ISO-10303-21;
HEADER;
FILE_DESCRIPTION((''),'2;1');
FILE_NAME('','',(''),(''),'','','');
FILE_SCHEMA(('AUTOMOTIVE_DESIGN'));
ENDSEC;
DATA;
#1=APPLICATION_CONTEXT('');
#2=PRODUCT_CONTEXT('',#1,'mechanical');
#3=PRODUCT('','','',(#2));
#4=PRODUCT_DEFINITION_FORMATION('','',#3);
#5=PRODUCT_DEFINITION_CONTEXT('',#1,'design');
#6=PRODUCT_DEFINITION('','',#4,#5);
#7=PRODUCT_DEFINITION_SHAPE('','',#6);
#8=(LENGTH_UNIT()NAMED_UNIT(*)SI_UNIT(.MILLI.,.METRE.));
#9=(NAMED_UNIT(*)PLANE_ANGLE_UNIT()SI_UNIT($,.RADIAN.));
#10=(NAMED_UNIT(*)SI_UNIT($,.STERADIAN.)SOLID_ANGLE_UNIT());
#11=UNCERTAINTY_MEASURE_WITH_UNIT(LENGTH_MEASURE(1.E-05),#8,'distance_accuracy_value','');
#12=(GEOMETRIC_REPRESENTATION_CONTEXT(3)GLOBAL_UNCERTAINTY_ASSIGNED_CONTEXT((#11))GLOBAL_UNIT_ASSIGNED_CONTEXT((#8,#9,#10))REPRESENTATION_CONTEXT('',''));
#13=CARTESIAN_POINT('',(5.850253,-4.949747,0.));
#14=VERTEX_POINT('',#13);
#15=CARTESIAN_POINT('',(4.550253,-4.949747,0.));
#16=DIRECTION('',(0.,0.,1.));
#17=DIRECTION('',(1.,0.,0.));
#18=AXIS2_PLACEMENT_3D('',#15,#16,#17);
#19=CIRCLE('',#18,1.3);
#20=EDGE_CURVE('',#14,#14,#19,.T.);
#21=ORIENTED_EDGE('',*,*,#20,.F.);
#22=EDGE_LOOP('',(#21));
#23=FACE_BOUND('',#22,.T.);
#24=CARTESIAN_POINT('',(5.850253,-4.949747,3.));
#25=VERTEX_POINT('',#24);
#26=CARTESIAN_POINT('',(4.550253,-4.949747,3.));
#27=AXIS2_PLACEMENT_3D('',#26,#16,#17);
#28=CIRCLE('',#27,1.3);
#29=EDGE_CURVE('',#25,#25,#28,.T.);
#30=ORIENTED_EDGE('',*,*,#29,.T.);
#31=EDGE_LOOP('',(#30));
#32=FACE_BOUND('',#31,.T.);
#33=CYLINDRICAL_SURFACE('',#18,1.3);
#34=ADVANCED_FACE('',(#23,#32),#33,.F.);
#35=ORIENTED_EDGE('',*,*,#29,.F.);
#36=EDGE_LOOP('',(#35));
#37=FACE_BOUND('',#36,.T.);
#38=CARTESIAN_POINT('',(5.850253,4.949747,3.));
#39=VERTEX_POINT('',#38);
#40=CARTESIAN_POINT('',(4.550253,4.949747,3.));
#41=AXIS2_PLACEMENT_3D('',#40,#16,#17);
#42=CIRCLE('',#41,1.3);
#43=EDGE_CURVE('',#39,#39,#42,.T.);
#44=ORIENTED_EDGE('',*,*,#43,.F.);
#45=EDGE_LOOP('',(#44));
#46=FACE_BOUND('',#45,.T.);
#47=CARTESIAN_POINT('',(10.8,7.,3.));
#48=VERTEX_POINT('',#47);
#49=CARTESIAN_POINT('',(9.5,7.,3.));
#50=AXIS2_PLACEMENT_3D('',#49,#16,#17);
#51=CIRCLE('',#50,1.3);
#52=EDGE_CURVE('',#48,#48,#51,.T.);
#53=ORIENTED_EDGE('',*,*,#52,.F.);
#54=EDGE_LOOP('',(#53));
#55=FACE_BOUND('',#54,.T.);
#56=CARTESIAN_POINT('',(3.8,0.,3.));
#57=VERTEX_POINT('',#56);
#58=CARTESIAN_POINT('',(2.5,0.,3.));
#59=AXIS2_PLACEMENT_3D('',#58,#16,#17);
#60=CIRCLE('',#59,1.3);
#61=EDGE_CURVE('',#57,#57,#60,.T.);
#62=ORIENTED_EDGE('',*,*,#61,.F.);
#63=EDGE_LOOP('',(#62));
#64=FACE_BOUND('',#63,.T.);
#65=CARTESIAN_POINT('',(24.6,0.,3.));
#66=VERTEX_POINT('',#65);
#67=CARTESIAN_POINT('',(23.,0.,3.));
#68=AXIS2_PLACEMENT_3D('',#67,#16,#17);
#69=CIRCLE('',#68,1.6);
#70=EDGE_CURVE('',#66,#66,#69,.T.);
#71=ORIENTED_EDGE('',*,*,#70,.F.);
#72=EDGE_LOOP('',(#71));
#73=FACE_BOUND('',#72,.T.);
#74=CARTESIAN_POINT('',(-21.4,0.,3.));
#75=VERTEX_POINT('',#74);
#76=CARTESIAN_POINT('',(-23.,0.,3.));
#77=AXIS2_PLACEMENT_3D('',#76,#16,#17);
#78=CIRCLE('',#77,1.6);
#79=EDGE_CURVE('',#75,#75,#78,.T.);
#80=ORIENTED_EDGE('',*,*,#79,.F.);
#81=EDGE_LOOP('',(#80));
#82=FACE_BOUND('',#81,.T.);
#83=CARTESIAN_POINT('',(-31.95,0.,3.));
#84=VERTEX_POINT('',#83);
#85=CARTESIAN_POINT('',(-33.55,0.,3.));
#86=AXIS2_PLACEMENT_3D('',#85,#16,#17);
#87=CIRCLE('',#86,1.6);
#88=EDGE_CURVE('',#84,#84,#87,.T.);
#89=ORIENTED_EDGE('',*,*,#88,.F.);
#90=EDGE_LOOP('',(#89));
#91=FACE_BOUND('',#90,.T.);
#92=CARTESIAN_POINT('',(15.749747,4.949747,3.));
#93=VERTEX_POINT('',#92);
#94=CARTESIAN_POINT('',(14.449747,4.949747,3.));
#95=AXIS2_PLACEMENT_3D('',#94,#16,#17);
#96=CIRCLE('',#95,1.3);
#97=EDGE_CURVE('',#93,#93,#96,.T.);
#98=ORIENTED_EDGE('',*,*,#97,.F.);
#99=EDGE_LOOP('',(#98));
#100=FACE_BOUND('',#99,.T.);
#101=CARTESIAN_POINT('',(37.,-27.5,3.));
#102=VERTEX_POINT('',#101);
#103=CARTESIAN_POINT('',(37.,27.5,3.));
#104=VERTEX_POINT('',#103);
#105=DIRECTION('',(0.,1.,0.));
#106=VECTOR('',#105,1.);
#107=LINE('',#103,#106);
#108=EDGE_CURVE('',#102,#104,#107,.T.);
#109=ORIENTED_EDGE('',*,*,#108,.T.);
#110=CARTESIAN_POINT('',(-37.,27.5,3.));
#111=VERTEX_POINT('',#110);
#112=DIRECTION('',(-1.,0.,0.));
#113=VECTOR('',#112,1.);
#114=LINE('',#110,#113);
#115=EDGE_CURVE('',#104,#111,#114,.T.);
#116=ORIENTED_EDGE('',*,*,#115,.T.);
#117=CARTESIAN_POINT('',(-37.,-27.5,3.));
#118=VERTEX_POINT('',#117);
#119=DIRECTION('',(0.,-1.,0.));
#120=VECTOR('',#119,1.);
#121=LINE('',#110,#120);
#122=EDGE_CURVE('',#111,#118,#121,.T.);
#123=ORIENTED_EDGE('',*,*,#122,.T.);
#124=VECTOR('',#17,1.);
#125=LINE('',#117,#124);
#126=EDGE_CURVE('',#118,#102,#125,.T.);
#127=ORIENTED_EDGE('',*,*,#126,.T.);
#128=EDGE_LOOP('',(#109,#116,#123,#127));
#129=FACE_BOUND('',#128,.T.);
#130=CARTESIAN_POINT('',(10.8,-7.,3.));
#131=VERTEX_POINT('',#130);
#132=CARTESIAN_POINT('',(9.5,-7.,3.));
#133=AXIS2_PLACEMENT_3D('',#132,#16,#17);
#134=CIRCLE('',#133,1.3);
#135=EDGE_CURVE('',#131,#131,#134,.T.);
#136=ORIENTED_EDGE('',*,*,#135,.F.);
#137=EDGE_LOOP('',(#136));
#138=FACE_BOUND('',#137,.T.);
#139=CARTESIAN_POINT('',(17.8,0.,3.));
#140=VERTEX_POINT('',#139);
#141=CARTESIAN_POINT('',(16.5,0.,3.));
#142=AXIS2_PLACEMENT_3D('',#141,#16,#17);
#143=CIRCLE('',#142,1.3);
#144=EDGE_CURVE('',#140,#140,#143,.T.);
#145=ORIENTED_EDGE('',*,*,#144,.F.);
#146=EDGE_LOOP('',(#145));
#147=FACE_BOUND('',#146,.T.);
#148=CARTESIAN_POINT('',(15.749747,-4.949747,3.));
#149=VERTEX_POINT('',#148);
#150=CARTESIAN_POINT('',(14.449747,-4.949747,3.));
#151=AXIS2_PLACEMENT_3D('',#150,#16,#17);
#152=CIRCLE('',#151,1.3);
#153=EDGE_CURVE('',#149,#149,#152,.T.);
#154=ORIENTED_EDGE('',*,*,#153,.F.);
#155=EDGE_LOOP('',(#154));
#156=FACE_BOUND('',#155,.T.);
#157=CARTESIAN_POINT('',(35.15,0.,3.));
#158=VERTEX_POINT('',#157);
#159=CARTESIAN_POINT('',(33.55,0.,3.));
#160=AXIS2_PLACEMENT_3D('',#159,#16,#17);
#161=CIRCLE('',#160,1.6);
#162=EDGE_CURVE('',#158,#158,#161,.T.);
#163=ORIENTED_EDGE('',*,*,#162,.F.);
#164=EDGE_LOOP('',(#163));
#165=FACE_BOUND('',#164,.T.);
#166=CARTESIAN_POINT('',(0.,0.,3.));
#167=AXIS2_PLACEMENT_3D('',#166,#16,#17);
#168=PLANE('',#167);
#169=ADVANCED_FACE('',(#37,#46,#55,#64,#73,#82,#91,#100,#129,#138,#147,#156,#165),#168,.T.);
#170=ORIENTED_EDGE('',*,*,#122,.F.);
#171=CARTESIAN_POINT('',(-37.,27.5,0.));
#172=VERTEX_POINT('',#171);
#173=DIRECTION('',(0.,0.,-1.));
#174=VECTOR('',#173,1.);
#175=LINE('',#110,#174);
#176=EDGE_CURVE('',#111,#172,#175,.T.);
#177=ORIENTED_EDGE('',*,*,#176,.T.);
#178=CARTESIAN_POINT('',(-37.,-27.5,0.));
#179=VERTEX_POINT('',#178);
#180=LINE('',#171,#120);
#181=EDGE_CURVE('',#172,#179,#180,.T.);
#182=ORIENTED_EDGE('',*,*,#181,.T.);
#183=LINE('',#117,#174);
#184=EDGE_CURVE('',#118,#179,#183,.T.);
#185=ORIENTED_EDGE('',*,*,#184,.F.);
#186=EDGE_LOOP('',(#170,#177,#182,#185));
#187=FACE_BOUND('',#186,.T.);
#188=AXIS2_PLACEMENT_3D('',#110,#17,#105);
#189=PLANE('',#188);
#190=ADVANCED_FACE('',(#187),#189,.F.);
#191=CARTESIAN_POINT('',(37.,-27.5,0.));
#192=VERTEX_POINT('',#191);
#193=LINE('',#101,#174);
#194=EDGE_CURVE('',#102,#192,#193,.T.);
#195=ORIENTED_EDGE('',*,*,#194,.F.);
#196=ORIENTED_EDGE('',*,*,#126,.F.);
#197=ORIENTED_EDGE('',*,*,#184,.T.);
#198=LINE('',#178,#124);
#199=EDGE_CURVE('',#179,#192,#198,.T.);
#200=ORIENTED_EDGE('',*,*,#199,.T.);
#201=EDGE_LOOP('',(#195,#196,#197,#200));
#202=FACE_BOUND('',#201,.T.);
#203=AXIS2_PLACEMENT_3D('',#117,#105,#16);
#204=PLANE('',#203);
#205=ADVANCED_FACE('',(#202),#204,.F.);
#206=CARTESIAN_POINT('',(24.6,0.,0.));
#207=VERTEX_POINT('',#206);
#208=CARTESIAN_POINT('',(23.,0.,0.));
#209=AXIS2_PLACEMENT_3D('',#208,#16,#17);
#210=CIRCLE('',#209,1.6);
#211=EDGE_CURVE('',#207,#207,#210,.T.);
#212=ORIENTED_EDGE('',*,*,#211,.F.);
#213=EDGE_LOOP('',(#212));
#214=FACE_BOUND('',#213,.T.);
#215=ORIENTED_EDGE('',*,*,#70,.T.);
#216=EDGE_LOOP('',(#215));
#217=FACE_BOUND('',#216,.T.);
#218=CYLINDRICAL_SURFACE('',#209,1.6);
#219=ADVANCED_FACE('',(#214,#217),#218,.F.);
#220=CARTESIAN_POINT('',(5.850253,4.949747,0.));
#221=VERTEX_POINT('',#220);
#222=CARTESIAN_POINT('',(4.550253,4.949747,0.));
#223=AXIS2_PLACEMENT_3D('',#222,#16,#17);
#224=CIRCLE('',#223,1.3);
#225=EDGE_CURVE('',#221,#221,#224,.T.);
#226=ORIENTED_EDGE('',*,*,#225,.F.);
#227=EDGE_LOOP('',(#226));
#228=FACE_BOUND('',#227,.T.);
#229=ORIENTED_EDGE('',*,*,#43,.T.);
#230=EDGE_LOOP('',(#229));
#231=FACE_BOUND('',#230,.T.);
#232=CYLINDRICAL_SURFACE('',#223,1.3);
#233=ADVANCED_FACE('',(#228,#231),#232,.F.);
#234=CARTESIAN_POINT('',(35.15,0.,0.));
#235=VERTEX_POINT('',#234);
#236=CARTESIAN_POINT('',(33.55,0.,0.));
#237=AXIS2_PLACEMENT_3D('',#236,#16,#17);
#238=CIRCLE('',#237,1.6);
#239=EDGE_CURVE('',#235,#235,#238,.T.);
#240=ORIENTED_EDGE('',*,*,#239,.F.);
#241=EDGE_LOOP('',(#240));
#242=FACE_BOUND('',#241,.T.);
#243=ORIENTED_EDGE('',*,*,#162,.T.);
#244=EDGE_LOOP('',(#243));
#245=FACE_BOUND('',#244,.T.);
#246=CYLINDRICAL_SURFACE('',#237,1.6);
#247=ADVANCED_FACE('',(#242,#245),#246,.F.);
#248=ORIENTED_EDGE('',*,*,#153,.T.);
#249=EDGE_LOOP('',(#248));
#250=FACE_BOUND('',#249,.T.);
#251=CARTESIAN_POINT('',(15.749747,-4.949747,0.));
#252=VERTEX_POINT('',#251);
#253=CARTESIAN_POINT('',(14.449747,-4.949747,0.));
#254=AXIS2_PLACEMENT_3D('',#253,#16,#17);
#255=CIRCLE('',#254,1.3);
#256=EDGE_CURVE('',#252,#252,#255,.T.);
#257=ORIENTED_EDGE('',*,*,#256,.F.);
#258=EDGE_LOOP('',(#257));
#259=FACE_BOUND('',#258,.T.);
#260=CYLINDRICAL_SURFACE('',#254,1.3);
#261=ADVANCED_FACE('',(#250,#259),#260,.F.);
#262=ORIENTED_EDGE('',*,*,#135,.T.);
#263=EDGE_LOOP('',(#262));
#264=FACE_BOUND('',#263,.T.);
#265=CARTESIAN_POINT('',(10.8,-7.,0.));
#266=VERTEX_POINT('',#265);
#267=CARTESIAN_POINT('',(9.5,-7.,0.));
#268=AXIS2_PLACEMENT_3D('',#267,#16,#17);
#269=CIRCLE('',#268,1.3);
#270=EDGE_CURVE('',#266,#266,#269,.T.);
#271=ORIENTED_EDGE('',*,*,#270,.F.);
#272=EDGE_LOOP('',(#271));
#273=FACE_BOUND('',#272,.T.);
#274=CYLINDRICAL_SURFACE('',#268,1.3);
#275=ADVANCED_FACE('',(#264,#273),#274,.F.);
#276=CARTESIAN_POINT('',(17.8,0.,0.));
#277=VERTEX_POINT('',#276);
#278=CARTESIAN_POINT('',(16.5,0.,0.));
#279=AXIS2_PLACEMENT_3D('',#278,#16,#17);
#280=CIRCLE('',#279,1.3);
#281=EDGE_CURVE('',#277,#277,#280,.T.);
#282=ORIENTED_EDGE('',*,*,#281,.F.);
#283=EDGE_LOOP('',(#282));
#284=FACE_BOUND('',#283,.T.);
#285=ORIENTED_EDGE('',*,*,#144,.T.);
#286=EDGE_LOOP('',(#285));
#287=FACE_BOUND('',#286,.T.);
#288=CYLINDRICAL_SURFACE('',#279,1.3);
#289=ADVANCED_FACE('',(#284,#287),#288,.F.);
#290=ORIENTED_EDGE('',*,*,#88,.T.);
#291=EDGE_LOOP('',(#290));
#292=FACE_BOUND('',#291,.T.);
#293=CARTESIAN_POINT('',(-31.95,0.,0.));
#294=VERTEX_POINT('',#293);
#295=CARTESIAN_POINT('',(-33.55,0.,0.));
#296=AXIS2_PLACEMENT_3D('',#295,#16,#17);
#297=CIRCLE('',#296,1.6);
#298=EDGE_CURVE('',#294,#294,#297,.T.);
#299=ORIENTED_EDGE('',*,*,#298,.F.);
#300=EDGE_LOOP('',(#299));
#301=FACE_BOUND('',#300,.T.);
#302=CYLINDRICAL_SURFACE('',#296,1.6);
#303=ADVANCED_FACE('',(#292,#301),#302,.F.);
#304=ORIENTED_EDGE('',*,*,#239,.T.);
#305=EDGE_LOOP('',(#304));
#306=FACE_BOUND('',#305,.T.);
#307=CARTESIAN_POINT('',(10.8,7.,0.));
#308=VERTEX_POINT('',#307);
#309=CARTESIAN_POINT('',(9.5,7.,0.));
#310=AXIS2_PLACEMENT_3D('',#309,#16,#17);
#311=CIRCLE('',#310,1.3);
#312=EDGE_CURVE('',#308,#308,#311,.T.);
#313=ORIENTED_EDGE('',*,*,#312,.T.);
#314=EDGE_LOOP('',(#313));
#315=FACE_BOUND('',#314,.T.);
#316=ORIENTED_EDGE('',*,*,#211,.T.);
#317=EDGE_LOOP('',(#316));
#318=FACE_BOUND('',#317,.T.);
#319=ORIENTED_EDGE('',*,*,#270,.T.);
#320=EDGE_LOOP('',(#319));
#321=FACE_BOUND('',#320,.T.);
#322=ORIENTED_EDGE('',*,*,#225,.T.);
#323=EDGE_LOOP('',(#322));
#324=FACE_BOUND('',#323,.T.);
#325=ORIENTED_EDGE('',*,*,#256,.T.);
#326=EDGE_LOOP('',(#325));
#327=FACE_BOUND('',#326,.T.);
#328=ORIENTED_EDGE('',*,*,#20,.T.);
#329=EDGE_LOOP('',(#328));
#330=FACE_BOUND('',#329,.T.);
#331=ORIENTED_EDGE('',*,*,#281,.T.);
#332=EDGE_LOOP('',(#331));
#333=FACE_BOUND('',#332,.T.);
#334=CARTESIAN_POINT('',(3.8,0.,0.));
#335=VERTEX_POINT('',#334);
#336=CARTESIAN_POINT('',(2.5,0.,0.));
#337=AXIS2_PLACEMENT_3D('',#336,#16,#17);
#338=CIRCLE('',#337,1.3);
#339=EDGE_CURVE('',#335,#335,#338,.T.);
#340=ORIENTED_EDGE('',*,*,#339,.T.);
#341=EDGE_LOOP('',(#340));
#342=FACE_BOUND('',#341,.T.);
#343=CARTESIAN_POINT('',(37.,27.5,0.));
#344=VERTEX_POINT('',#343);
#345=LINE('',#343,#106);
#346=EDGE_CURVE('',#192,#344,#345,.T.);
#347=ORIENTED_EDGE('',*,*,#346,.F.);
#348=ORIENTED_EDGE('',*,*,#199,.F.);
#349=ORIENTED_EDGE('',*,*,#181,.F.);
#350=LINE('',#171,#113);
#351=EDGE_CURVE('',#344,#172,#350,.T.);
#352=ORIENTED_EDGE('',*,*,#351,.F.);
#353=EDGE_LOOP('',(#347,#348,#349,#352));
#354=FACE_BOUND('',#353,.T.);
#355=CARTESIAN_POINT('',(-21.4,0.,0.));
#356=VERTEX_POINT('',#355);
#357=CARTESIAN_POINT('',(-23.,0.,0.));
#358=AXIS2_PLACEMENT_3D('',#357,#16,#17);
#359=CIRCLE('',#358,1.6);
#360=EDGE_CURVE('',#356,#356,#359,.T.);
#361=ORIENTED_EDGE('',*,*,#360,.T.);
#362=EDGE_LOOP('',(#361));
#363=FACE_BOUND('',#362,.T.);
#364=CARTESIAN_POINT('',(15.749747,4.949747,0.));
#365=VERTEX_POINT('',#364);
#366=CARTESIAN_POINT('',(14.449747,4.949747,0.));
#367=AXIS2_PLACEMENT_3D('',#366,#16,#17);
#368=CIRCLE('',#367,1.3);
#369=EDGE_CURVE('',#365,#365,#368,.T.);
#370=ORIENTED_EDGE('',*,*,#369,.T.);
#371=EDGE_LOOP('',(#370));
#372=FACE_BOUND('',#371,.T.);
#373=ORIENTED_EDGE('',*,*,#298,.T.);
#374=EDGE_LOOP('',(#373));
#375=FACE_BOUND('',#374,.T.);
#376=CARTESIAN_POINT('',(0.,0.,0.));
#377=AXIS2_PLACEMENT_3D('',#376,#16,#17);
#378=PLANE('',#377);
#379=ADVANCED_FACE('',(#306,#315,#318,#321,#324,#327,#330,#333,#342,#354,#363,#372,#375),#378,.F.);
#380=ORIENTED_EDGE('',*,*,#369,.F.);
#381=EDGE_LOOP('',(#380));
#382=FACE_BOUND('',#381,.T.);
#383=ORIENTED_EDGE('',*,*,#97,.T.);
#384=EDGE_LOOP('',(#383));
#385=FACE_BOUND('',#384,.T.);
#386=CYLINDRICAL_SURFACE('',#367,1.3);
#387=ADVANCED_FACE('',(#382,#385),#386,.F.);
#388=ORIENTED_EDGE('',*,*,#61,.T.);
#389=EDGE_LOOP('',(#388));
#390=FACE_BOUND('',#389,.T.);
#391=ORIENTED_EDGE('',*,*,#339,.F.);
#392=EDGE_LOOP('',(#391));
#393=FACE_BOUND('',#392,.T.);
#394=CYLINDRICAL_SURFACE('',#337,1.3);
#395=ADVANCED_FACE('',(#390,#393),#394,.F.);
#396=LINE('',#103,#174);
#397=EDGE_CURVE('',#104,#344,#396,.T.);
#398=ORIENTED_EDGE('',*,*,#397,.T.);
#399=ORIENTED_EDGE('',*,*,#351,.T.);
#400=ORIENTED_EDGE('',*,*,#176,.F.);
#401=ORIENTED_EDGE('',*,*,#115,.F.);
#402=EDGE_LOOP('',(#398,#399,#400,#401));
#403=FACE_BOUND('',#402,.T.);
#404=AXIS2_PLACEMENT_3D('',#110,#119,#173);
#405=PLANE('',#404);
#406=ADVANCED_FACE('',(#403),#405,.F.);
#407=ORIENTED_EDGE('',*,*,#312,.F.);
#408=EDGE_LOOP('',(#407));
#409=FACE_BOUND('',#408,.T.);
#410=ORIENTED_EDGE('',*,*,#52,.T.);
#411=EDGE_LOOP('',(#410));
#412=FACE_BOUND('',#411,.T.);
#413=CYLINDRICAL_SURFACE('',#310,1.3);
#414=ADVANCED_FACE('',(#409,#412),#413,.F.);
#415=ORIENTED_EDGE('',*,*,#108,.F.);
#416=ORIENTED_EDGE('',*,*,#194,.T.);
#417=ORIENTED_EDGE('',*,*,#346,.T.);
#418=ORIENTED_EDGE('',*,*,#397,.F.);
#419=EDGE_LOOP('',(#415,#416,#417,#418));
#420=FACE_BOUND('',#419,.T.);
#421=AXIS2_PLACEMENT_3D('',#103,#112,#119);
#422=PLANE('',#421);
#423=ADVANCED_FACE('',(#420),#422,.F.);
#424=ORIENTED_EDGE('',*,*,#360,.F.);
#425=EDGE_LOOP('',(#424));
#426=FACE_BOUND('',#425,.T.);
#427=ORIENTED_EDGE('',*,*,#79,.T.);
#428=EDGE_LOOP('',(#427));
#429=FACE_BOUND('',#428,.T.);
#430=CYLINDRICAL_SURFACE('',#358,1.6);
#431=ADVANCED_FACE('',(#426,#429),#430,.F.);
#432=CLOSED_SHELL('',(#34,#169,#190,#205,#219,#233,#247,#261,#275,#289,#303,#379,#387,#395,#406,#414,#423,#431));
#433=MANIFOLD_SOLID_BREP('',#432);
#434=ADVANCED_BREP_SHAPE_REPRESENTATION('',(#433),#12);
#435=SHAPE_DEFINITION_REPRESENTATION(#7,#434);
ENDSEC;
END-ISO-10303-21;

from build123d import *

# Parameters (mm, degrees)
SKETCH_1_W          = 74
SKETCH_1_H          = 55
EXTRUDE_1_DEPTH     = 3
SKETCH_2_R          = 1.6
CUT_EXTRUDE_1_DEPTH = 4
SKETCH_2_3_R        = 1.3
CUT_EXTRUDE_2_DEPTH = 4


with BuildPart() as part:
    # 草圖1 → 填料-伸長1 (new body)
    with BuildSketch(Plane.XY):
        Rectangle(SKETCH_1_W, SKETCH_1_H)
    extrude(amount=EXTRUDE_1_DEPTH)

    # 草圖2 → 除料-伸長1 (cut, through all)
    with BuildSketch(Plane.XY.offset(3)):
        with Locations((-33.55, 0)):
            Circle(SKETCH_2_R)
        with Locations((33.55, 0)):
            Circle(SKETCH_2_R)
        with Locations((-23, 0)):
            Circle(SKETCH_2_R)
        with Locations((23, 0)):
            Circle(SKETCH_2_R)
    extrude(amount=-CUT_EXTRUDE_1_DEPTH, mode=Mode.SUBTRACT)

    # 草圖2<3> → 除料-伸長2 (cut, through all)
    with BuildSketch(Plane.XY.offset(3)):
        with Locations((16.5, 0)):
            Circle(SKETCH_2_3_R)
        with Locations((14.449747468, -4.949747468)):
            Circle(SKETCH_2_3_R)
        with Locations((9.5, -7)):
            Circle(SKETCH_2_3_R)
        with Locations((4.550252532, -4.949747468)):
            Circle(SKETCH_2_3_R)
        with Locations((2.5, 0)):
            Circle(SKETCH_2_3_R)
        with Locations((4.550252532, 4.949747468)):
            Circle(SKETCH_2_3_R)
        with Locations((9.5, 7)):
            Circle(SKETCH_2_3_R)
        with Locations((14.449747468, 4.949747468)):
            Circle(SKETCH_2_3_R)
    extrude(amount=-CUT_EXTRUDE_2_DEPTH, mode=Mode.SUBTRACT)


solid = part.part
